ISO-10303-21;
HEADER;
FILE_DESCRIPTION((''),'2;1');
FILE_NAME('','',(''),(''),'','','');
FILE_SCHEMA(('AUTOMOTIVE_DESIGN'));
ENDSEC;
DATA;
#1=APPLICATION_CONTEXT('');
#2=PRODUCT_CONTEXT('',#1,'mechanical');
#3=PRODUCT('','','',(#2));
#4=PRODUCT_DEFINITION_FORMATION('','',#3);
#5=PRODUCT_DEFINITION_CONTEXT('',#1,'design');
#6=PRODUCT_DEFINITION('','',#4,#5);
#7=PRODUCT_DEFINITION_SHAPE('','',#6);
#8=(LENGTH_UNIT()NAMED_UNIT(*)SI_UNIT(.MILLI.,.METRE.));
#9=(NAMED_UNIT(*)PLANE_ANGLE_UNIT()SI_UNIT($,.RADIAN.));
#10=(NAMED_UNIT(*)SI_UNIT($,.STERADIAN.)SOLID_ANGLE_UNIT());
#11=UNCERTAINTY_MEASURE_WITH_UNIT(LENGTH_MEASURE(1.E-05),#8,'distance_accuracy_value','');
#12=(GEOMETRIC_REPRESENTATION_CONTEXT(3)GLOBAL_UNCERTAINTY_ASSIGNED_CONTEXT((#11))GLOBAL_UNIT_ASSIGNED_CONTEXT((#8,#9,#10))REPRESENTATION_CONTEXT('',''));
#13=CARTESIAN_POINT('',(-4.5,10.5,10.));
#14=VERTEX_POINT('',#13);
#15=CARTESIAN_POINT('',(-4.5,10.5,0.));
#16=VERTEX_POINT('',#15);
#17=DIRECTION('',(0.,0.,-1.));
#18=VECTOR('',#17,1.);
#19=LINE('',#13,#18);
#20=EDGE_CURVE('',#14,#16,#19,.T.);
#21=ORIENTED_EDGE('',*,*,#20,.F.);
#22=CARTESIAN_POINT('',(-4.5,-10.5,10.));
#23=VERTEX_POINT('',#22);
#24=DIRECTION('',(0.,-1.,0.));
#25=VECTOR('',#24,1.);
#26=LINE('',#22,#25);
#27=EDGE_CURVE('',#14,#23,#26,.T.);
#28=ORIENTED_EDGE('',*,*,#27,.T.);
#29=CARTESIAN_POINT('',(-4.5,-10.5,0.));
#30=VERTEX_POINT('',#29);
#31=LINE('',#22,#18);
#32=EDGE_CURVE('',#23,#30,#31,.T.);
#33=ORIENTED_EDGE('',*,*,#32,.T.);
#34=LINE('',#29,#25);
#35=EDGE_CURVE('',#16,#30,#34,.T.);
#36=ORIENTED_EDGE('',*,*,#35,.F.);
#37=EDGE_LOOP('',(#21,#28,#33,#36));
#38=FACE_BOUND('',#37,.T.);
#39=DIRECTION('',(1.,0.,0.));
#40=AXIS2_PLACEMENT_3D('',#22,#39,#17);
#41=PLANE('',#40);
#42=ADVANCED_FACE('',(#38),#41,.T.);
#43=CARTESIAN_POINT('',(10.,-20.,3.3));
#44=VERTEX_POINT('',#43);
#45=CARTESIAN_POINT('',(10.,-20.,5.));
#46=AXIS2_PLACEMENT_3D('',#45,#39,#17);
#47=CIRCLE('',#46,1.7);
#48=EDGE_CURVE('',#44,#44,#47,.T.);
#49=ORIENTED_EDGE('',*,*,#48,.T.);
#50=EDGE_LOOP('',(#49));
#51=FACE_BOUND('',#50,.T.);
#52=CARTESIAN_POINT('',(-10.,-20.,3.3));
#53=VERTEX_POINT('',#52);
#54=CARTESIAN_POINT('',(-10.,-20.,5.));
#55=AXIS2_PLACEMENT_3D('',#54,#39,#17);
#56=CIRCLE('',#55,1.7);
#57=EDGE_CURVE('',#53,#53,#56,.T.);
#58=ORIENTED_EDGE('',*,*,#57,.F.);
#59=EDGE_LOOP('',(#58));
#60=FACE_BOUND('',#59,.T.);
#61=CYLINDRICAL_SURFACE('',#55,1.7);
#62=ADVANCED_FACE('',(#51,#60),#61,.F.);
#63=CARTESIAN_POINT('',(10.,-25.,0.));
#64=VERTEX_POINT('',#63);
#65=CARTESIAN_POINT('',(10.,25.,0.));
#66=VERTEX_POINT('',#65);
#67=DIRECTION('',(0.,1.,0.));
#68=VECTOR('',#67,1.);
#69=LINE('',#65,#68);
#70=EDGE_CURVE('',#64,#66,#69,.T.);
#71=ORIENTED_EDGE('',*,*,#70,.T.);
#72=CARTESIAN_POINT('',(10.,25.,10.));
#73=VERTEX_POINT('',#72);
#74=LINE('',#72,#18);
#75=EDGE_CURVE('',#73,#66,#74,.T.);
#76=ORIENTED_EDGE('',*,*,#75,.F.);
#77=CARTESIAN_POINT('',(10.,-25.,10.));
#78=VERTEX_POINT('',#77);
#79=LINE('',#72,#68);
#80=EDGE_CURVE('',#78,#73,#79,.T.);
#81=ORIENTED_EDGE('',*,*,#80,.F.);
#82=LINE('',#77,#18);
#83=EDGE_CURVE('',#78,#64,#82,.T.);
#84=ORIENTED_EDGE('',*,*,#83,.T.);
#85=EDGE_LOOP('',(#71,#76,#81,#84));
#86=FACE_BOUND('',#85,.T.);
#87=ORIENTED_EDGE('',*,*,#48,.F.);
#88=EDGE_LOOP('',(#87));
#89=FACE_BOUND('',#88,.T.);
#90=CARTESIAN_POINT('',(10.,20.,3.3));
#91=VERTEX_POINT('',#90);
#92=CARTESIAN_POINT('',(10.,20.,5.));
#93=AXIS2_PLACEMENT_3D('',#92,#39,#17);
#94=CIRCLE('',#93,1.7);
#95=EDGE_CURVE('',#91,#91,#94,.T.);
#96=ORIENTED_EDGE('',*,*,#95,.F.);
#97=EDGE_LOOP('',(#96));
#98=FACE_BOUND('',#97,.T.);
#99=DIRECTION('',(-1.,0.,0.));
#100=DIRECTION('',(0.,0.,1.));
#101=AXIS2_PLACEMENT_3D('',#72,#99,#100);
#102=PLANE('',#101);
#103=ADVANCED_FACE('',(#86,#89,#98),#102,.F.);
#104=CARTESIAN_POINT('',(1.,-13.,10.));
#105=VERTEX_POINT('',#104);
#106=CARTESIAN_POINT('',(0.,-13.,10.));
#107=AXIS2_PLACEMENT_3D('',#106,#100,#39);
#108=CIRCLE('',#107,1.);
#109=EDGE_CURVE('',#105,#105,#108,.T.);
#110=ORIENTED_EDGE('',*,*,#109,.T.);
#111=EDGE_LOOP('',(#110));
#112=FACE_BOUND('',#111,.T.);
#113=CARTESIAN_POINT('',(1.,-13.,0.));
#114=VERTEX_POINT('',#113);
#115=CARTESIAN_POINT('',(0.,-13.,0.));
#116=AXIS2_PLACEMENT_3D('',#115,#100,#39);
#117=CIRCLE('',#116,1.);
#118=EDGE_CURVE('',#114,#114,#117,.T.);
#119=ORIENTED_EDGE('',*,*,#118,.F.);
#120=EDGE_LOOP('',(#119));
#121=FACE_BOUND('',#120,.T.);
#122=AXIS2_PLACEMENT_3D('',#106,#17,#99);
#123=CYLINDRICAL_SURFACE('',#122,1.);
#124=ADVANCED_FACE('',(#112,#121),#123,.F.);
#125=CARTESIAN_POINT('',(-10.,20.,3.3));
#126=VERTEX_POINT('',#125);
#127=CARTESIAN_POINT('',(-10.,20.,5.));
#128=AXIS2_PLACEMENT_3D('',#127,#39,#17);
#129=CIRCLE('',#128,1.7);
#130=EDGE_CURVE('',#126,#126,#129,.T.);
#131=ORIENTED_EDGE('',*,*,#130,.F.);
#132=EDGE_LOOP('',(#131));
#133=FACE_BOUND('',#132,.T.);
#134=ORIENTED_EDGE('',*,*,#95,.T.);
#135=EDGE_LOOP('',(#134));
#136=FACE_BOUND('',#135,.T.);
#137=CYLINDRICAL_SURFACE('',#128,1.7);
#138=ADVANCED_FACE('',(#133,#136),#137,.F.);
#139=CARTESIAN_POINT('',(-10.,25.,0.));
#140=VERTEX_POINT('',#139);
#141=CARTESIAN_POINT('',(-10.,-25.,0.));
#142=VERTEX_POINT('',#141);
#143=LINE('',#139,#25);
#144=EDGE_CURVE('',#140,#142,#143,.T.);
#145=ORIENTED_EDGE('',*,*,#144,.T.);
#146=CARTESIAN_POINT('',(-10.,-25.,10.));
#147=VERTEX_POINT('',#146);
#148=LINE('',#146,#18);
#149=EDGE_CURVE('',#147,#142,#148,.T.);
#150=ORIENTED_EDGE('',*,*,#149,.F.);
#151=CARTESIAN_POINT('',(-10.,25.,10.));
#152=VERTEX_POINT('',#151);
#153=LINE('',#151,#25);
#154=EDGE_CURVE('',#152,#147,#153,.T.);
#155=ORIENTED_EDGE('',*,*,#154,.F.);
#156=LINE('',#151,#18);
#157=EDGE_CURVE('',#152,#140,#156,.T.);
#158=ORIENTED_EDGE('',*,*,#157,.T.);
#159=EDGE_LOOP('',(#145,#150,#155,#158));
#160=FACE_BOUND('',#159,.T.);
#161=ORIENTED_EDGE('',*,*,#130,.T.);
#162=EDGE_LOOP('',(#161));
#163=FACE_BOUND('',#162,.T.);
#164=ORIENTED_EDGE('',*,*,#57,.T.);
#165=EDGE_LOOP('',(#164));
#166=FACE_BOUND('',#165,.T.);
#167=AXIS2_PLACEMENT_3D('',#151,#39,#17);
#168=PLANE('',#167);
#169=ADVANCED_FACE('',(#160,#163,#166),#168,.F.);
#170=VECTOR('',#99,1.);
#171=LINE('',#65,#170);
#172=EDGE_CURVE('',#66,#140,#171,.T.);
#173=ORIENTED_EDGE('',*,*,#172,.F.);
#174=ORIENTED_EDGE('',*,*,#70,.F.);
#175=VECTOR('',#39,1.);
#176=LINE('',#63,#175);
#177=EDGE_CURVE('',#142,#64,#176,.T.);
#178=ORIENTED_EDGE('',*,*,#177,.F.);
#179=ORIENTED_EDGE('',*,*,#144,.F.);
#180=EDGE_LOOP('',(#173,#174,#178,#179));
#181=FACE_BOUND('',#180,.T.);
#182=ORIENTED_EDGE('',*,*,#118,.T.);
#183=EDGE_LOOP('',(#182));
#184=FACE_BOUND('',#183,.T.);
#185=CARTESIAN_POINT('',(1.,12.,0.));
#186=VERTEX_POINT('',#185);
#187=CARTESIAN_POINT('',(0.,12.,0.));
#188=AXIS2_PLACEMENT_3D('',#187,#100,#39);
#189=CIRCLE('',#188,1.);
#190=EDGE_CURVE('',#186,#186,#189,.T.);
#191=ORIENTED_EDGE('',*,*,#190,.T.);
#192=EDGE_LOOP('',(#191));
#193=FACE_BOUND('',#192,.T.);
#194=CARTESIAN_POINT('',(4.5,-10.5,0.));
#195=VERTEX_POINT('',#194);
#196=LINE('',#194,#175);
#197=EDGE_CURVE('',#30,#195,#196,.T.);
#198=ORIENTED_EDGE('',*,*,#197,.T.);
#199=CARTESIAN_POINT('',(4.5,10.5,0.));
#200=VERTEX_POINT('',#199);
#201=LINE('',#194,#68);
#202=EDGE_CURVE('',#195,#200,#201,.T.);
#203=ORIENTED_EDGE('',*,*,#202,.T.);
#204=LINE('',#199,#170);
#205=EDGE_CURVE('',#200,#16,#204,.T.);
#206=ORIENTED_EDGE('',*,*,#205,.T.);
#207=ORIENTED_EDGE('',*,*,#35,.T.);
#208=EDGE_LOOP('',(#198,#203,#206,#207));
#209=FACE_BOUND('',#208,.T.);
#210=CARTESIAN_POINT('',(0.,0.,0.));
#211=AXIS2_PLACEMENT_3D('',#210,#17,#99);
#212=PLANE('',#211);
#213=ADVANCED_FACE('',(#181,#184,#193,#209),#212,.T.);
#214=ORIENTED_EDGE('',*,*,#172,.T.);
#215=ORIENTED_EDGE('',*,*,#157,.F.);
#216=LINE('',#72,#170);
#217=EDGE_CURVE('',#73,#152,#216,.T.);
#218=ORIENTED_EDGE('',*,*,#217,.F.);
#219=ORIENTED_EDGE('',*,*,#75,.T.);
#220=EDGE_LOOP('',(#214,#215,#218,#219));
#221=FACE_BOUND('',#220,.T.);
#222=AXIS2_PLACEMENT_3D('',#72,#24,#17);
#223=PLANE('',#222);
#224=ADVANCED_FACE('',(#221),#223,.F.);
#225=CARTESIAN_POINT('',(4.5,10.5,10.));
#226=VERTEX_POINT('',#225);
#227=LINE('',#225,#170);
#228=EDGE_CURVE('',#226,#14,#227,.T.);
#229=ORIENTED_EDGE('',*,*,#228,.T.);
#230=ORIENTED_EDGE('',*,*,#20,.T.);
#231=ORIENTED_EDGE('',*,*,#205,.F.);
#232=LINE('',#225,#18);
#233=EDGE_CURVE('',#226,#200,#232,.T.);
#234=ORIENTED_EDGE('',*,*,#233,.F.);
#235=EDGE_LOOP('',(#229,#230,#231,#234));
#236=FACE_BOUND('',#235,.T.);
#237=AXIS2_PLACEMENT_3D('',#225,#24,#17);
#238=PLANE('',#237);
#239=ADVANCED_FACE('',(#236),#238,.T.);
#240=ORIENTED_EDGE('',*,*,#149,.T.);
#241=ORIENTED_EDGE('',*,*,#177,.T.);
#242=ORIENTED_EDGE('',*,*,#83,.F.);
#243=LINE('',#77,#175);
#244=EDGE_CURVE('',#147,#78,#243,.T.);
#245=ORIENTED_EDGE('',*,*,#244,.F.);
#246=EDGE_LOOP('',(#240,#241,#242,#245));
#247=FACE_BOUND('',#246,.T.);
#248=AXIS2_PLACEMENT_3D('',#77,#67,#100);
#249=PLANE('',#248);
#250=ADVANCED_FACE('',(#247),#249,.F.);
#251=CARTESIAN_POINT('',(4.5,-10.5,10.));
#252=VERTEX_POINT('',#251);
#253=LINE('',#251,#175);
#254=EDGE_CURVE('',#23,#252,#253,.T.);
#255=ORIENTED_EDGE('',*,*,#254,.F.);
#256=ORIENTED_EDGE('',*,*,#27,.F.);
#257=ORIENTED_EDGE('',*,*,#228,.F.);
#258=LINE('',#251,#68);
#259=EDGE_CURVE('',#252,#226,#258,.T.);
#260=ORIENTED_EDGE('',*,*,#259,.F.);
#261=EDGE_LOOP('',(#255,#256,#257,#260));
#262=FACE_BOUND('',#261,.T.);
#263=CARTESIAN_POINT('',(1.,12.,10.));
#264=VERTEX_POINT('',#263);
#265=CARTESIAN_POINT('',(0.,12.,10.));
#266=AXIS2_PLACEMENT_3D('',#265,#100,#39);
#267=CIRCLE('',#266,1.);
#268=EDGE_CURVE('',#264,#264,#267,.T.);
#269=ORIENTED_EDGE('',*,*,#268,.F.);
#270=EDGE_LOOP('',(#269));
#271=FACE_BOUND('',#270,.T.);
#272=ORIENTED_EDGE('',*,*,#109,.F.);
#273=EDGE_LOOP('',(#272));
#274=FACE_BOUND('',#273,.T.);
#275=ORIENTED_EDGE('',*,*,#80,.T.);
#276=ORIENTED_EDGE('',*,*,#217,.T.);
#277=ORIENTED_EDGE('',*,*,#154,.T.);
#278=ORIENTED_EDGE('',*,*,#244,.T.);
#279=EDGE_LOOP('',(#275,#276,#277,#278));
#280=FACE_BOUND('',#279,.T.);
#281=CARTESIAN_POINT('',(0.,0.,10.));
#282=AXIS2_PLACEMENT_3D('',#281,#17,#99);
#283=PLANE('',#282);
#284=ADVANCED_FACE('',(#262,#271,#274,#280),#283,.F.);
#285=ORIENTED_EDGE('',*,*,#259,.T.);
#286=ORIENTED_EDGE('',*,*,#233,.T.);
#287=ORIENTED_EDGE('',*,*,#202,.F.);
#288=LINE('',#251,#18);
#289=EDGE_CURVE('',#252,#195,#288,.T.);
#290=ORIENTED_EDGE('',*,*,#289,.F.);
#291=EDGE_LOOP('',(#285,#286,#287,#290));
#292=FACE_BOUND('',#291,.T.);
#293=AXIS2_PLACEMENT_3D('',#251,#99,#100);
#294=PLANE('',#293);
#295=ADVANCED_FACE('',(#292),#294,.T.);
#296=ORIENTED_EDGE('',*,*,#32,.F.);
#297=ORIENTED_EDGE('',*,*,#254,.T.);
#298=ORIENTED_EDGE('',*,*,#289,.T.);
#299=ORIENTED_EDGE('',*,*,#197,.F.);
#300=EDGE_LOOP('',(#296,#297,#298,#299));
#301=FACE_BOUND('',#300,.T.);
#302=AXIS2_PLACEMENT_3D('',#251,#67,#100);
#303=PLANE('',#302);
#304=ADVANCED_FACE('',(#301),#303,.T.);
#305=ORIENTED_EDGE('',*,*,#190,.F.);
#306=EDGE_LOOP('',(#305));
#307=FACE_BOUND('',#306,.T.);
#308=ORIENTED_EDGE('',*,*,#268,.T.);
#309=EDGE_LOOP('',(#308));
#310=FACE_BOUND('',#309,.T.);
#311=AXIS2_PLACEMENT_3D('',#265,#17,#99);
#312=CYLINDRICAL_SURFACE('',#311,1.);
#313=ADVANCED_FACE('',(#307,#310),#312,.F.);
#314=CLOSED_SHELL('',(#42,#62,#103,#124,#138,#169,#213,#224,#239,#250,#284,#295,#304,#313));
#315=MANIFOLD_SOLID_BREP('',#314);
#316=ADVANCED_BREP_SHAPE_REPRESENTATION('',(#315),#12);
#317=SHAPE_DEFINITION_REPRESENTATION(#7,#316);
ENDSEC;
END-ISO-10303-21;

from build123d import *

# Parameters (mm, degrees)
SKETCH_3_W          = 20
SKETCH_3_H          = 50
SKETCH_3_R          = 1
SKETCH_3_W_2        = 9
SKETCH_3_H_2        = 21
EXTRUDE_1_DEPTH     = 10
SKETCH_4_R          = 1.7
CUT_EXTRUDE_1_DEPTH = 34.541019662


with BuildPart() as part:
    # 草图3 → 凸台-拉伸1 (new body)
    with BuildSketch(Plane.XY):
        Rectangle(SKETCH_3_W, SKETCH_3_H)
        with Locations((0, -13)):
            Circle(SKETCH_3_R, mode=Mode.SUBTRACT)
        with Locations((0, 12)):
            Circle(SKETCH_3_R, mode=Mode.SUBTRACT)
        Rectangle(SKETCH_3_W_2, SKETCH_3_H_2, mode=Mode.SUBTRACT)
    extrude(amount=EXTRUDE_1_DEPTH)

    # 草图4 → 切除-拉伸1 (cut, through all)
    with BuildSketch(Plane(origin=(10, 0, 0), x_dir=(0, 0, -1), z_dir=(1, 0, 0))):
        with Locations((-5, -20)):
            Circle(SKETCH_4_R)
        with Locations((-5, 20)):
            Circle(SKETCH_4_R)
    extrude(amount=-CUT_EXTRUDE_1_DEPTH, mode=Mode.SUBTRACT)


solid = part.part
